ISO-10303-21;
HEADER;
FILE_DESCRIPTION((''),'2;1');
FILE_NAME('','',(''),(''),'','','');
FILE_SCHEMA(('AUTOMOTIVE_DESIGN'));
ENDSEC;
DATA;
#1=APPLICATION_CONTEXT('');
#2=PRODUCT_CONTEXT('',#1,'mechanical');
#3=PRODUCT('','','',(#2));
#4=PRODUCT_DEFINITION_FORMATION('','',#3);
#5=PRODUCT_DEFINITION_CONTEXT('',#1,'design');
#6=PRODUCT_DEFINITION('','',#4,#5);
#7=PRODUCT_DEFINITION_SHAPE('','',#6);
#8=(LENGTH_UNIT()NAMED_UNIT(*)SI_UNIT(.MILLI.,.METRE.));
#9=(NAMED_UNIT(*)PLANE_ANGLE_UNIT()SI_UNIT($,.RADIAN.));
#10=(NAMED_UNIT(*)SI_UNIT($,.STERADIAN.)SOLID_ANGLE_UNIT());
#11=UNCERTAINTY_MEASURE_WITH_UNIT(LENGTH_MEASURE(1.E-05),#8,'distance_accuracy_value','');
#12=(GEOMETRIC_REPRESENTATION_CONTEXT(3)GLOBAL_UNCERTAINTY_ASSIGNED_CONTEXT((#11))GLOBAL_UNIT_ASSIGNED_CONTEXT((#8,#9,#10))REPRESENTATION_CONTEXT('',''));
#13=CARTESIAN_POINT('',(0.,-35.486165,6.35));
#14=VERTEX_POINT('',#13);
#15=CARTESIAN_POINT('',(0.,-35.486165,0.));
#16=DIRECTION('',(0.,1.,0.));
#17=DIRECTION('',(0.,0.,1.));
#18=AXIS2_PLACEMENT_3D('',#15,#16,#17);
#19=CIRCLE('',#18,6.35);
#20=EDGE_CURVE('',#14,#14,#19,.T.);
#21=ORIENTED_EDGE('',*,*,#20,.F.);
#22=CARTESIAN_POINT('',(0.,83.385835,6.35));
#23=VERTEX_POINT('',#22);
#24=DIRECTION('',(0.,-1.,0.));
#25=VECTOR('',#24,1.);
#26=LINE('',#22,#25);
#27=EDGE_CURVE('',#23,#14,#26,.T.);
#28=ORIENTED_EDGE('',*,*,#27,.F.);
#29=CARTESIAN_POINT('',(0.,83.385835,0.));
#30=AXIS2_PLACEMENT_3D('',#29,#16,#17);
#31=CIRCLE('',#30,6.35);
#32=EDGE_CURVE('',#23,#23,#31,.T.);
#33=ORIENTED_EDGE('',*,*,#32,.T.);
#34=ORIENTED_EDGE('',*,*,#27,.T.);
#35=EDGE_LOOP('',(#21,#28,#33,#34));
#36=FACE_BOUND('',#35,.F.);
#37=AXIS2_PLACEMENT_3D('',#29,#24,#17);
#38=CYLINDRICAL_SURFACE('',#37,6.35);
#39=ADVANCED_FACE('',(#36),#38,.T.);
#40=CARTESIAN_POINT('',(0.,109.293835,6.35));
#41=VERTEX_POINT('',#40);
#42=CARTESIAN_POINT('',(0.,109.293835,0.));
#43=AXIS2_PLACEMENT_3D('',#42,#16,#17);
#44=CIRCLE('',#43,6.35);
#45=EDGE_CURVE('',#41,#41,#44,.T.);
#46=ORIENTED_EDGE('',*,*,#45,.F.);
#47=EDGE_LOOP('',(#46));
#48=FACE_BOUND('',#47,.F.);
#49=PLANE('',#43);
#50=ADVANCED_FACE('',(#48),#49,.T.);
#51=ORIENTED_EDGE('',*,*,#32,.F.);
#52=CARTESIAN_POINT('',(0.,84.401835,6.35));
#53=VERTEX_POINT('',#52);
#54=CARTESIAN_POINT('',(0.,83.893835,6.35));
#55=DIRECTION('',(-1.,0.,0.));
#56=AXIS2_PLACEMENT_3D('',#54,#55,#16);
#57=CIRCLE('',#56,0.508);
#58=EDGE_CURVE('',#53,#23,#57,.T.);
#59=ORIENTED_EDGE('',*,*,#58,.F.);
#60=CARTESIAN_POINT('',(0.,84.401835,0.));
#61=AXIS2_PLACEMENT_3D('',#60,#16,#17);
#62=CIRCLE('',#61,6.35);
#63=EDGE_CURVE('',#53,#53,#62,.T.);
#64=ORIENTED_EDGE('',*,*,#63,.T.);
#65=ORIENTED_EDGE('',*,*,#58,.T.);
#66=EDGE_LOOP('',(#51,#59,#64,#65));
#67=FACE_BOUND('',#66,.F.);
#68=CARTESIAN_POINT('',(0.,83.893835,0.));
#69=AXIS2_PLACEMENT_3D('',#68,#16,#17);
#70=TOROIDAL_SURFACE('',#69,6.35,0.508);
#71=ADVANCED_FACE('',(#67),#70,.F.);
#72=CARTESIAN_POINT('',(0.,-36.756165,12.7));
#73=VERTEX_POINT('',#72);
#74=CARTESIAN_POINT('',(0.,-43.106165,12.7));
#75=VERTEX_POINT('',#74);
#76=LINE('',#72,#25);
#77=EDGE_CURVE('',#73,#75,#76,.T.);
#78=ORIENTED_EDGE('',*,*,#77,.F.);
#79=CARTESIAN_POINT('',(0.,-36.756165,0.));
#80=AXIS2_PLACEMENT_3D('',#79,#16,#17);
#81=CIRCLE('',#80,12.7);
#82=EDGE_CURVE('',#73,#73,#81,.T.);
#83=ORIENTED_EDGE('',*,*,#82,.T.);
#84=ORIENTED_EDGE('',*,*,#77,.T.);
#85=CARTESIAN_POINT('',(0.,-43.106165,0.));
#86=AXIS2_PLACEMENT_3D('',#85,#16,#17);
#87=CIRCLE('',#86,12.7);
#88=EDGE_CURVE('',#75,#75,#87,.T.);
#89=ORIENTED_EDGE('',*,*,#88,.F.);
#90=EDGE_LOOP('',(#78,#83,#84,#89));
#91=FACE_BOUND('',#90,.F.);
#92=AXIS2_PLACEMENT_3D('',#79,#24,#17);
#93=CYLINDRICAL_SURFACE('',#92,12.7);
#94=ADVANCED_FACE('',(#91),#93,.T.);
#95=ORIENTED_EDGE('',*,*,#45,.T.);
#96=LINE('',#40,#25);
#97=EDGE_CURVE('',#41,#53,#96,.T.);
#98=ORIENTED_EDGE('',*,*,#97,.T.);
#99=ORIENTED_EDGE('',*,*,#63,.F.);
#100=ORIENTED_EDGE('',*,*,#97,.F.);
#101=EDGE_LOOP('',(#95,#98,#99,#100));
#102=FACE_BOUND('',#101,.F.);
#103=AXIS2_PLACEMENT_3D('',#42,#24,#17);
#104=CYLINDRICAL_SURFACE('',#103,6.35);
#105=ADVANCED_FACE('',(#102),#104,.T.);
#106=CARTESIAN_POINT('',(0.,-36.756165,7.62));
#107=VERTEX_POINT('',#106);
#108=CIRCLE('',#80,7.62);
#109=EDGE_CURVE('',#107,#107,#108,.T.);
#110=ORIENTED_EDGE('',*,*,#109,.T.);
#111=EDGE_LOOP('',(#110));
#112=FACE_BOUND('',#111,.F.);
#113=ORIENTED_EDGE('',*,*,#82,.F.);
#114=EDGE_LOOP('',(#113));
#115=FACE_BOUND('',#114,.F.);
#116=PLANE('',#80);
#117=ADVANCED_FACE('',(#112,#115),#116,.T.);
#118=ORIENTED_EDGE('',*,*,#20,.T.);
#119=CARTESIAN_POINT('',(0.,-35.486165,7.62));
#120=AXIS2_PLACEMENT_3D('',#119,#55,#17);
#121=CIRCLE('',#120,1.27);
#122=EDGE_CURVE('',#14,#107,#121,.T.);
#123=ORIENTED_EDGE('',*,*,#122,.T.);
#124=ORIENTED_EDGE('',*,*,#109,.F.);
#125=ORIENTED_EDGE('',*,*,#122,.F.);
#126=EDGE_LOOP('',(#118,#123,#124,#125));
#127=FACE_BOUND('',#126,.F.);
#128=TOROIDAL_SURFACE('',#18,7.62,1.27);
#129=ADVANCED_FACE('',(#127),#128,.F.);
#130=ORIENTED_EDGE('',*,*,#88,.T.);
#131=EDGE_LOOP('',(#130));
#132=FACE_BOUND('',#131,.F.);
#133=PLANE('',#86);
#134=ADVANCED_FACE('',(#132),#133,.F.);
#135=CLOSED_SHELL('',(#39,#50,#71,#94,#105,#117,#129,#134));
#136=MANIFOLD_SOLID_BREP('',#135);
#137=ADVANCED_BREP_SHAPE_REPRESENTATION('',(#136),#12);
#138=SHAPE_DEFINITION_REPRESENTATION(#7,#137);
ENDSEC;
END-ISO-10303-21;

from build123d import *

# Parameters (mm, degrees)
F2_R = 1.27


with BuildPart() as f1:
    # F0 (on Right) → F1 (revolve)
    with BuildSketch(Plane.YZ):
        Polygon((-43.106165, 0), (-36.756165, 0), (-36.756165, 6.35), (-36.756165, 12.7), (-43.106165, 12.7), align=None)
        with BuildLine():
            Line((-36.756165, 6.35), (-36.756165, 0))
            Line((-36.756165, 0), (109.293835, 0))
            Line((109.293835, 0), (109.293835, 6.35))
            Line((109.293835, 6.35), (84.401835, 6.35))
            ThreePointArc((84.401835, 6.35), (83.893835, 5.842), (83.385835, 6.35))
            Line((83.385835, 6.35), (-36.756165, 6.35))
        make_face()
    revolve(axis=Axis((0, 36.268835, 0), (0, 1, 0)))

    # F2
    f2_edges = [f1.edges().sort_by_distance(p)[0] for p in [
        (0, -36.756165, -6.35),
    ]]
    fillet(f2_edges, radius=F2_R)


solid = f1.part
